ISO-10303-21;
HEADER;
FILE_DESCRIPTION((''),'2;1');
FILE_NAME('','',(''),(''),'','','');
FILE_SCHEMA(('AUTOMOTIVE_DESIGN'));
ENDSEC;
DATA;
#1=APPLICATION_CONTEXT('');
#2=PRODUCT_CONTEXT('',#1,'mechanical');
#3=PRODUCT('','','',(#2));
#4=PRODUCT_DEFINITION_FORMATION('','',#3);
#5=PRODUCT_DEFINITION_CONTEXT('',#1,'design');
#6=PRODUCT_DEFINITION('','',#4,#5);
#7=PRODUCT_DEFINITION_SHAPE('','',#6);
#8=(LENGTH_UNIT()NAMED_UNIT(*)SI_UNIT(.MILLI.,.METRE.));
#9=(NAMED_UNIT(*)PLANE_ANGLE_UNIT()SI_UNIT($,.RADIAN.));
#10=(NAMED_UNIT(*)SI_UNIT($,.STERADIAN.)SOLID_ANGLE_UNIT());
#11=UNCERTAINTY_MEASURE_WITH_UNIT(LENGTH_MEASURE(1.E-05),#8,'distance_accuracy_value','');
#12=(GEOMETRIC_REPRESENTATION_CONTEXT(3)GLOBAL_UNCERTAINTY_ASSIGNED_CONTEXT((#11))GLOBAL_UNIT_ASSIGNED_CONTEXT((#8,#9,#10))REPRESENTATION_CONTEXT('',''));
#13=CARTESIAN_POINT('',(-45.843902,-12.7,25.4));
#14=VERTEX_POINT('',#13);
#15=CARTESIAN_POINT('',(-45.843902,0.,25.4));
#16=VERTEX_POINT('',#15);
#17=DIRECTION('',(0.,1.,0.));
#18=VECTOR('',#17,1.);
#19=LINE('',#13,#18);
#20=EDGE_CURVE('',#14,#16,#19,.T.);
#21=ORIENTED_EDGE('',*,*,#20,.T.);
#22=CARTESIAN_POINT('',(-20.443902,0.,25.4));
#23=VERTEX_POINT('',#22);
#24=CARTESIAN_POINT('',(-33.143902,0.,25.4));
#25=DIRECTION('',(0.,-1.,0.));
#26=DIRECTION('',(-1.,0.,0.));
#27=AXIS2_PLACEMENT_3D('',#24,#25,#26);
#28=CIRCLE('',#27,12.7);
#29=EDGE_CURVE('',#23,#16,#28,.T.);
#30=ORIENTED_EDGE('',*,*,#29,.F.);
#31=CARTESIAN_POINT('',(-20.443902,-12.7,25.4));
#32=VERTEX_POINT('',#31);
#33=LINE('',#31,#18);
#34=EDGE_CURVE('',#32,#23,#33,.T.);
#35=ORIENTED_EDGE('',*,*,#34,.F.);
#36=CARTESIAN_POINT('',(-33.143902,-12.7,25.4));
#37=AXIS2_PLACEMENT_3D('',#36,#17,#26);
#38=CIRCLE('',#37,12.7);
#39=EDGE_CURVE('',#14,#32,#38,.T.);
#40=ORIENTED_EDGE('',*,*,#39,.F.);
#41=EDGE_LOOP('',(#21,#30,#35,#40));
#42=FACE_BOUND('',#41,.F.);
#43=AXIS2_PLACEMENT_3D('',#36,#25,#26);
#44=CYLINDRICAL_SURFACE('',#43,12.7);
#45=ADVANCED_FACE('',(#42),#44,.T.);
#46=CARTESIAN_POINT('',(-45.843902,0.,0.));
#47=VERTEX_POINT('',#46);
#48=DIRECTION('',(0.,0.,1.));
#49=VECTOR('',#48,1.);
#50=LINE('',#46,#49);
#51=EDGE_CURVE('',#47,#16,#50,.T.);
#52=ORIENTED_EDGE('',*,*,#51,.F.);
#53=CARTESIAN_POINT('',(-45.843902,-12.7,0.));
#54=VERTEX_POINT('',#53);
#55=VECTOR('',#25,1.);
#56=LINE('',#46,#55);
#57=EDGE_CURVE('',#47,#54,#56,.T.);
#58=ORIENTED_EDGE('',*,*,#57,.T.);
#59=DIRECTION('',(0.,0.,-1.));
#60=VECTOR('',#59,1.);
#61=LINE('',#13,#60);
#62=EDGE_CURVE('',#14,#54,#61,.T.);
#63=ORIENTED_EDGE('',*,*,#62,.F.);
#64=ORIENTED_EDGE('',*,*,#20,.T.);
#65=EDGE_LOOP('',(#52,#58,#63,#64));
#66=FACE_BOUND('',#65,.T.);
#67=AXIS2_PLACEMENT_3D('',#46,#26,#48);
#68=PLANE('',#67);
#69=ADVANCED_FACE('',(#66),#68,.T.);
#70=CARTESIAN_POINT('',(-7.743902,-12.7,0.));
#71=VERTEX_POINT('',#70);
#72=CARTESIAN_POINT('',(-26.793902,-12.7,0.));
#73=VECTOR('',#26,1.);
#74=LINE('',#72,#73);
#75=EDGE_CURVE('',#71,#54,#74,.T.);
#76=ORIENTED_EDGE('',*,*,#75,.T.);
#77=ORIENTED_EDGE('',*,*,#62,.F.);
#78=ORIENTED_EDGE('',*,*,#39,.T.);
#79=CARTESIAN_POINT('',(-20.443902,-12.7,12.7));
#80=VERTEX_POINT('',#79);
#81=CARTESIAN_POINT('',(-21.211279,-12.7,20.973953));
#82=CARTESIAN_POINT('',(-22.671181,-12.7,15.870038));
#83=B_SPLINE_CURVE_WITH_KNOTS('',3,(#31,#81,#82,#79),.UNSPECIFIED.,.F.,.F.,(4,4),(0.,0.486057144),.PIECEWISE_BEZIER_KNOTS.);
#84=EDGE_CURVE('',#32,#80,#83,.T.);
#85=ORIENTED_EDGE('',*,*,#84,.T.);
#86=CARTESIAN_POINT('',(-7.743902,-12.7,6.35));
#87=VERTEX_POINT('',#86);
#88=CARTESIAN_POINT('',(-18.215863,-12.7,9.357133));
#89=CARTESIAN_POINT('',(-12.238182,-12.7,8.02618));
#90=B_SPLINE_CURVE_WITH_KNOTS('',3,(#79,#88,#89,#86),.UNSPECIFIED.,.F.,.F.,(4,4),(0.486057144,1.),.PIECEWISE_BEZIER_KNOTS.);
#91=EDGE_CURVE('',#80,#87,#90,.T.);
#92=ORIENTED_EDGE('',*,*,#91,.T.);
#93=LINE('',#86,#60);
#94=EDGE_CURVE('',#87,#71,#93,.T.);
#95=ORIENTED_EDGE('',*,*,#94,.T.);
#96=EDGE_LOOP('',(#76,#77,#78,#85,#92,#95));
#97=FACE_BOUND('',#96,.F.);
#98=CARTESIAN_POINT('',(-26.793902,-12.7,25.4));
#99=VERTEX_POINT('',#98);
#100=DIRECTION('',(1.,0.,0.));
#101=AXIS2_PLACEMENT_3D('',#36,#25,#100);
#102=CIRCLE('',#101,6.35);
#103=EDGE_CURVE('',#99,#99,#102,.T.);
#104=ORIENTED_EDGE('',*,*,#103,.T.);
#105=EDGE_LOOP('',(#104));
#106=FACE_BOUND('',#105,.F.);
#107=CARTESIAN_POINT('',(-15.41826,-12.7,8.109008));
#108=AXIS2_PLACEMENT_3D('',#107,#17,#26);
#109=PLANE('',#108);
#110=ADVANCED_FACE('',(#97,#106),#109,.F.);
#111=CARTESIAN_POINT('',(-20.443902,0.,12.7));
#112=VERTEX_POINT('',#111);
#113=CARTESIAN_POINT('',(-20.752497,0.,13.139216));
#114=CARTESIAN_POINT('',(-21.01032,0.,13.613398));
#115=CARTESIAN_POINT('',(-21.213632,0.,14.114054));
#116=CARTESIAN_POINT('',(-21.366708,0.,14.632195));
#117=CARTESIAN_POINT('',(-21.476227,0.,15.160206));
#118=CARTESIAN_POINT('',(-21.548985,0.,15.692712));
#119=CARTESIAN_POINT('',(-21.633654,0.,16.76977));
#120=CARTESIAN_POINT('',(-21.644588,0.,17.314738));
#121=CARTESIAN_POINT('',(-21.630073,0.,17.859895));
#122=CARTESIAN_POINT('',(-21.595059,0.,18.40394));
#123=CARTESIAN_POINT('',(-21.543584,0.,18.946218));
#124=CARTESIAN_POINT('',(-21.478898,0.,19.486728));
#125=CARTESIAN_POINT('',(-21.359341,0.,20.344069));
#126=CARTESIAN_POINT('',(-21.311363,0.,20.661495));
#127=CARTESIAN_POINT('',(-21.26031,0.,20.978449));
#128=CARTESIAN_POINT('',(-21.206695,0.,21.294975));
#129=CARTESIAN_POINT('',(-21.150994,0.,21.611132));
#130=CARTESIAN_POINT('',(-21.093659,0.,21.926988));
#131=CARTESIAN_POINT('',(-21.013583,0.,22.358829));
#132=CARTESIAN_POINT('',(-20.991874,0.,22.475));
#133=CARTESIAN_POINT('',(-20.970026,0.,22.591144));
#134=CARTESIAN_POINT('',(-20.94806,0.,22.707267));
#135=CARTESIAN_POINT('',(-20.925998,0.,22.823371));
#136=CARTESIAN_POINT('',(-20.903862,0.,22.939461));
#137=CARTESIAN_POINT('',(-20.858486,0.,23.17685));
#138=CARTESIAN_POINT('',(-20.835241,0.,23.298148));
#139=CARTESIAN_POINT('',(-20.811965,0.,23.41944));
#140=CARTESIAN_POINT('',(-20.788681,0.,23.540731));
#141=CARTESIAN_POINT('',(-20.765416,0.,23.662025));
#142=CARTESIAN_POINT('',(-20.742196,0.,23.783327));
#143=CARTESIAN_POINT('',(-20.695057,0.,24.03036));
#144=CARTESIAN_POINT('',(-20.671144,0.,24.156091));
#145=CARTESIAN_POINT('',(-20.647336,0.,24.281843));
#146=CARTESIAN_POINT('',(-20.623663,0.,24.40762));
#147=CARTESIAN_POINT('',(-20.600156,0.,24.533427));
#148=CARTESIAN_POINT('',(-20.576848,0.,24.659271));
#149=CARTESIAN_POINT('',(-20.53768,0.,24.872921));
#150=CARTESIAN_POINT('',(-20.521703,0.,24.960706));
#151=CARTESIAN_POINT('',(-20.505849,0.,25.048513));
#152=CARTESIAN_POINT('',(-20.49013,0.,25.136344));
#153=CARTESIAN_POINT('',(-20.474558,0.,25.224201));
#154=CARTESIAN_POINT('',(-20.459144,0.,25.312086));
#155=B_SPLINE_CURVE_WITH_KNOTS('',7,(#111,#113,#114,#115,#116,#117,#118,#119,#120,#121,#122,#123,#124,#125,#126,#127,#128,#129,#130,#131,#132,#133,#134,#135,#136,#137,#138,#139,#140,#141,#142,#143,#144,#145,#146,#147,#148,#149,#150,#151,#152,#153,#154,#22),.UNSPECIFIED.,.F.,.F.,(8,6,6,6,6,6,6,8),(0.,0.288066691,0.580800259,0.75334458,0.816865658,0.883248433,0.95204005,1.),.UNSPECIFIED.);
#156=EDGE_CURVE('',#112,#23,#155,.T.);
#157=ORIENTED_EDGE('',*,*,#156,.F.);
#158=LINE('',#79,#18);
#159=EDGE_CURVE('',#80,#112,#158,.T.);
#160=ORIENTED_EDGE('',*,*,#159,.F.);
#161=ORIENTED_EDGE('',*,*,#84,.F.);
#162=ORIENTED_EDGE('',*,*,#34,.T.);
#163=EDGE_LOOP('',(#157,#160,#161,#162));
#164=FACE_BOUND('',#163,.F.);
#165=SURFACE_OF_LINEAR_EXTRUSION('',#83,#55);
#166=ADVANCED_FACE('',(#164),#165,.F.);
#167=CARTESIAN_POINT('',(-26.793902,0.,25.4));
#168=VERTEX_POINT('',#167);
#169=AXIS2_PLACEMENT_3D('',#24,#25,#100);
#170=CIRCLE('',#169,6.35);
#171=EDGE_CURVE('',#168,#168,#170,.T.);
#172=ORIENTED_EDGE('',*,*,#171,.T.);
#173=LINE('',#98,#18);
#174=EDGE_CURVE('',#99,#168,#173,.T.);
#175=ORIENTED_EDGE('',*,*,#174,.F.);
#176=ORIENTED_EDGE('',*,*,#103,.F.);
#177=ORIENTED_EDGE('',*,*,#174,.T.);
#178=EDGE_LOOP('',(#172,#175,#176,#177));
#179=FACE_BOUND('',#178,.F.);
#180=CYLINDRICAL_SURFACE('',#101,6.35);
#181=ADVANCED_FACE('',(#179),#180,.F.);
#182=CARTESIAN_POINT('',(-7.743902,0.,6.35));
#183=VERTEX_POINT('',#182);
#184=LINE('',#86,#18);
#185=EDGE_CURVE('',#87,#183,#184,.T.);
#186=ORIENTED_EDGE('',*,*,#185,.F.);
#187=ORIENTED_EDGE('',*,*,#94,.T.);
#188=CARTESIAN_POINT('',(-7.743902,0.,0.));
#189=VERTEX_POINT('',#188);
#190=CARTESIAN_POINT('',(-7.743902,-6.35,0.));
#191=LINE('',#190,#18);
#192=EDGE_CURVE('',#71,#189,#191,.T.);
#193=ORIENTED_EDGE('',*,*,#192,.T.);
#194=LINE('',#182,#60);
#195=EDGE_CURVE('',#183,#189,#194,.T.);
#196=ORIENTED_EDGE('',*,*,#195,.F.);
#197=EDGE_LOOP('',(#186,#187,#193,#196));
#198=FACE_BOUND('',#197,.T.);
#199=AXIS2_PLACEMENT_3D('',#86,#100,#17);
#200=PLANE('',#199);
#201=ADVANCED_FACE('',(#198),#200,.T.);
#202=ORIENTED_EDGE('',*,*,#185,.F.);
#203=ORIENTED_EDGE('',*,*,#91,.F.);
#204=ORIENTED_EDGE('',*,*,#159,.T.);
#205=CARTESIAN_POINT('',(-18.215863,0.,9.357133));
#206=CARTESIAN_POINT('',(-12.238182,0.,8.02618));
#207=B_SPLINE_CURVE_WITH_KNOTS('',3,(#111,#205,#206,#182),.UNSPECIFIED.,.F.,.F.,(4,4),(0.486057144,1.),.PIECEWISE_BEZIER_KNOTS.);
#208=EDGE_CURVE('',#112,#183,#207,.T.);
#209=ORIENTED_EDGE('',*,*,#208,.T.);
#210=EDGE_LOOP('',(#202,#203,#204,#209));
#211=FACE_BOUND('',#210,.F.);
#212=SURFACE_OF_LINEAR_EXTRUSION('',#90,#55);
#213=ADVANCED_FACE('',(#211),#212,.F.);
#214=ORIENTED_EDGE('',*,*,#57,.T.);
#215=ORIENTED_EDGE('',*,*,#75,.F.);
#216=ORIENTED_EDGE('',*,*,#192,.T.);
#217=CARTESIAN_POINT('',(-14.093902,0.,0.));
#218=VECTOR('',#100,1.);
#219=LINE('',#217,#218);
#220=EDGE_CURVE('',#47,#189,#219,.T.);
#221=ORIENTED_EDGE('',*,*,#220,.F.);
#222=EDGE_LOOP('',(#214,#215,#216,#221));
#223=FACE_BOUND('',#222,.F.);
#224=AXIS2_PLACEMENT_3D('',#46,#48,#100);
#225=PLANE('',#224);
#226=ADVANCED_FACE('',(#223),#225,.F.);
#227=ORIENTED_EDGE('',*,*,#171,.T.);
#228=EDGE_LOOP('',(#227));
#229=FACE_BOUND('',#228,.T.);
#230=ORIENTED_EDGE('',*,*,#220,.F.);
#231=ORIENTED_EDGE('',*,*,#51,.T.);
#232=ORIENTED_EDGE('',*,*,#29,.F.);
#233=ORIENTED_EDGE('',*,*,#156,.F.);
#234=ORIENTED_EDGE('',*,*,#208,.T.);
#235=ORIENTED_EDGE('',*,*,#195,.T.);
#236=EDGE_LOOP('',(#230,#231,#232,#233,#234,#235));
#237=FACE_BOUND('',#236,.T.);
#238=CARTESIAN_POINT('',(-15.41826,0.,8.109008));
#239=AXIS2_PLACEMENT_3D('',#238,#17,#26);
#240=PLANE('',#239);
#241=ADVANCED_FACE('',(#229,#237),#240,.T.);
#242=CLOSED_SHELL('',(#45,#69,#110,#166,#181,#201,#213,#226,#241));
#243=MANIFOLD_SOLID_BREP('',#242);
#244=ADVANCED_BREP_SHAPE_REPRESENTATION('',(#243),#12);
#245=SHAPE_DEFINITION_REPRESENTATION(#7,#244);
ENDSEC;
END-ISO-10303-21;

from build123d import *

# Parameters (mm, degrees)
F0_W      = 63.5
F0_H      = 6.35
F1_DEPTH  = 38.1
F2_W      = 25.4
F2_H      = 38.1
F3_DEPTH  = 12.7
F5_DEPTH  = 25.4
F6_R      = 6.35
F7_DEPTH  = 25.4
F9_DEPTH  = 25.4
F11_DEPTH = 12.7
F12_R     = 3.4395833333
F13_DEPTH = 25.4
F14_DEPTH = 25.4


with BuildPart() as f1:
    # F0 (on Front) → F1 (new body)
    with BuildSketch(Plane.XZ):
        with Locations((-14.0939018427, 3.175)):
            Rectangle(F0_W, F0_H)
    extrude(amount=F1_DEPTH)

    # F2 (on face) → F3 (join)
    with BuildSketch(Plane(origin=(0, 0, 0), x_dir=(-1, 0, 0), z_dir=(0, 1, 0))):
        with Locations((33.1439018427, 25.4)):
            Rectangle(F2_W, F2_H)
    extrude(amount=-F3_DEPTH)

    # F4 (on face) → F5 (cut)
    with BuildSketch(Plane.XZ.offset(12.7)):
        with BuildLine():
            ThreePointArc((-45.8439018427, 25.4), (-33.1439018427, 38.1), (-20.4439018427, 25.4))
            Line((-20.4439018427, 25.4), (-20.4439018427, 44.45))
            Line((-20.4439018427, 44.45), (-45.8439018427, 44.45))
            Line((-45.8439018427, 44.45), (-45.8439018427, 25.4))
        make_face()
    extrude(amount=-F5_DEPTH, mode=Mode.SUBTRACT)

    # F6 (on face) → F7 (cut)
    with BuildSketch(Plane.XZ.offset(12.7)):
        with Locations((-33.1439018427, 25.4)):
            Circle(F6_R)
    extrude(amount=-F7_DEPTH, mode=Mode.SUBTRACT)

    # F8 (on face) → F9 (cut)
    with BuildSketch(Plane.XZ.offset(12.7)):
        with BuildLine():
            add(Edge.make_bspline(
                [(-20.4439018427, 25.4), (-21.2112794526, 20.9739528082), (-22.6711814471, 15.8700383759), (-20.4439018427, 12.7)],
                knots=[0, 0, 0, 0, 0.4860571438, 0.4860571438, 0.4860571438, 0.4860571438], degree=3))
            Line((-20.4439018427, 12.7), (-20.4439018427, 25.4))
        make_face()
    extrude(amount=-F9_DEPTH, mode=Mode.SUBTRACT)

    # F10 (on face) → F11 (join)
    with BuildSketch(Plane.XZ.offset(12.7)):
        with BuildLine():
            add(Edge.make_bspline(
                [(-20.4439018427, 12.7), (-18.2158628234, 9.3571333053), (-12.2381824129, 8.0261796099), (-7.7439018427, 6.35)],
                knots=[0.4860571438, 0.4860571438, 0.4860571438, 0.4860571438, 1, 1, 1, 1], degree=3))
            Line((-20.4439018427, 12.7), (-20.4439018427, 6.35))
            Line((-20.4439018427, 6.35), (-7.7439018427, 6.35))
        make_face()
    extrude(amount=-F11_DEPTH)

    # F12 (on face) → F13 (cut)
    with BuildSketch(Plane.XY.offset(6.35)):
        with Locations((8.1310981573, -9.2604166667)):
            Circle(F12_R)
    extrude(amount=-F13_DEPTH, mode=Mode.SUBTRACT)

    # F14 (cut): a face of the model
    f14_faces = [f1.faces().sort_by_distance(p)[0] for p in [
        (-11.2918846227, -22.4788355031, 6.35),
    ]]
    extrude(f14_faces, amount=-F14_DEPTH, mode=Mode.SUBTRACT)


solid = f1.part
